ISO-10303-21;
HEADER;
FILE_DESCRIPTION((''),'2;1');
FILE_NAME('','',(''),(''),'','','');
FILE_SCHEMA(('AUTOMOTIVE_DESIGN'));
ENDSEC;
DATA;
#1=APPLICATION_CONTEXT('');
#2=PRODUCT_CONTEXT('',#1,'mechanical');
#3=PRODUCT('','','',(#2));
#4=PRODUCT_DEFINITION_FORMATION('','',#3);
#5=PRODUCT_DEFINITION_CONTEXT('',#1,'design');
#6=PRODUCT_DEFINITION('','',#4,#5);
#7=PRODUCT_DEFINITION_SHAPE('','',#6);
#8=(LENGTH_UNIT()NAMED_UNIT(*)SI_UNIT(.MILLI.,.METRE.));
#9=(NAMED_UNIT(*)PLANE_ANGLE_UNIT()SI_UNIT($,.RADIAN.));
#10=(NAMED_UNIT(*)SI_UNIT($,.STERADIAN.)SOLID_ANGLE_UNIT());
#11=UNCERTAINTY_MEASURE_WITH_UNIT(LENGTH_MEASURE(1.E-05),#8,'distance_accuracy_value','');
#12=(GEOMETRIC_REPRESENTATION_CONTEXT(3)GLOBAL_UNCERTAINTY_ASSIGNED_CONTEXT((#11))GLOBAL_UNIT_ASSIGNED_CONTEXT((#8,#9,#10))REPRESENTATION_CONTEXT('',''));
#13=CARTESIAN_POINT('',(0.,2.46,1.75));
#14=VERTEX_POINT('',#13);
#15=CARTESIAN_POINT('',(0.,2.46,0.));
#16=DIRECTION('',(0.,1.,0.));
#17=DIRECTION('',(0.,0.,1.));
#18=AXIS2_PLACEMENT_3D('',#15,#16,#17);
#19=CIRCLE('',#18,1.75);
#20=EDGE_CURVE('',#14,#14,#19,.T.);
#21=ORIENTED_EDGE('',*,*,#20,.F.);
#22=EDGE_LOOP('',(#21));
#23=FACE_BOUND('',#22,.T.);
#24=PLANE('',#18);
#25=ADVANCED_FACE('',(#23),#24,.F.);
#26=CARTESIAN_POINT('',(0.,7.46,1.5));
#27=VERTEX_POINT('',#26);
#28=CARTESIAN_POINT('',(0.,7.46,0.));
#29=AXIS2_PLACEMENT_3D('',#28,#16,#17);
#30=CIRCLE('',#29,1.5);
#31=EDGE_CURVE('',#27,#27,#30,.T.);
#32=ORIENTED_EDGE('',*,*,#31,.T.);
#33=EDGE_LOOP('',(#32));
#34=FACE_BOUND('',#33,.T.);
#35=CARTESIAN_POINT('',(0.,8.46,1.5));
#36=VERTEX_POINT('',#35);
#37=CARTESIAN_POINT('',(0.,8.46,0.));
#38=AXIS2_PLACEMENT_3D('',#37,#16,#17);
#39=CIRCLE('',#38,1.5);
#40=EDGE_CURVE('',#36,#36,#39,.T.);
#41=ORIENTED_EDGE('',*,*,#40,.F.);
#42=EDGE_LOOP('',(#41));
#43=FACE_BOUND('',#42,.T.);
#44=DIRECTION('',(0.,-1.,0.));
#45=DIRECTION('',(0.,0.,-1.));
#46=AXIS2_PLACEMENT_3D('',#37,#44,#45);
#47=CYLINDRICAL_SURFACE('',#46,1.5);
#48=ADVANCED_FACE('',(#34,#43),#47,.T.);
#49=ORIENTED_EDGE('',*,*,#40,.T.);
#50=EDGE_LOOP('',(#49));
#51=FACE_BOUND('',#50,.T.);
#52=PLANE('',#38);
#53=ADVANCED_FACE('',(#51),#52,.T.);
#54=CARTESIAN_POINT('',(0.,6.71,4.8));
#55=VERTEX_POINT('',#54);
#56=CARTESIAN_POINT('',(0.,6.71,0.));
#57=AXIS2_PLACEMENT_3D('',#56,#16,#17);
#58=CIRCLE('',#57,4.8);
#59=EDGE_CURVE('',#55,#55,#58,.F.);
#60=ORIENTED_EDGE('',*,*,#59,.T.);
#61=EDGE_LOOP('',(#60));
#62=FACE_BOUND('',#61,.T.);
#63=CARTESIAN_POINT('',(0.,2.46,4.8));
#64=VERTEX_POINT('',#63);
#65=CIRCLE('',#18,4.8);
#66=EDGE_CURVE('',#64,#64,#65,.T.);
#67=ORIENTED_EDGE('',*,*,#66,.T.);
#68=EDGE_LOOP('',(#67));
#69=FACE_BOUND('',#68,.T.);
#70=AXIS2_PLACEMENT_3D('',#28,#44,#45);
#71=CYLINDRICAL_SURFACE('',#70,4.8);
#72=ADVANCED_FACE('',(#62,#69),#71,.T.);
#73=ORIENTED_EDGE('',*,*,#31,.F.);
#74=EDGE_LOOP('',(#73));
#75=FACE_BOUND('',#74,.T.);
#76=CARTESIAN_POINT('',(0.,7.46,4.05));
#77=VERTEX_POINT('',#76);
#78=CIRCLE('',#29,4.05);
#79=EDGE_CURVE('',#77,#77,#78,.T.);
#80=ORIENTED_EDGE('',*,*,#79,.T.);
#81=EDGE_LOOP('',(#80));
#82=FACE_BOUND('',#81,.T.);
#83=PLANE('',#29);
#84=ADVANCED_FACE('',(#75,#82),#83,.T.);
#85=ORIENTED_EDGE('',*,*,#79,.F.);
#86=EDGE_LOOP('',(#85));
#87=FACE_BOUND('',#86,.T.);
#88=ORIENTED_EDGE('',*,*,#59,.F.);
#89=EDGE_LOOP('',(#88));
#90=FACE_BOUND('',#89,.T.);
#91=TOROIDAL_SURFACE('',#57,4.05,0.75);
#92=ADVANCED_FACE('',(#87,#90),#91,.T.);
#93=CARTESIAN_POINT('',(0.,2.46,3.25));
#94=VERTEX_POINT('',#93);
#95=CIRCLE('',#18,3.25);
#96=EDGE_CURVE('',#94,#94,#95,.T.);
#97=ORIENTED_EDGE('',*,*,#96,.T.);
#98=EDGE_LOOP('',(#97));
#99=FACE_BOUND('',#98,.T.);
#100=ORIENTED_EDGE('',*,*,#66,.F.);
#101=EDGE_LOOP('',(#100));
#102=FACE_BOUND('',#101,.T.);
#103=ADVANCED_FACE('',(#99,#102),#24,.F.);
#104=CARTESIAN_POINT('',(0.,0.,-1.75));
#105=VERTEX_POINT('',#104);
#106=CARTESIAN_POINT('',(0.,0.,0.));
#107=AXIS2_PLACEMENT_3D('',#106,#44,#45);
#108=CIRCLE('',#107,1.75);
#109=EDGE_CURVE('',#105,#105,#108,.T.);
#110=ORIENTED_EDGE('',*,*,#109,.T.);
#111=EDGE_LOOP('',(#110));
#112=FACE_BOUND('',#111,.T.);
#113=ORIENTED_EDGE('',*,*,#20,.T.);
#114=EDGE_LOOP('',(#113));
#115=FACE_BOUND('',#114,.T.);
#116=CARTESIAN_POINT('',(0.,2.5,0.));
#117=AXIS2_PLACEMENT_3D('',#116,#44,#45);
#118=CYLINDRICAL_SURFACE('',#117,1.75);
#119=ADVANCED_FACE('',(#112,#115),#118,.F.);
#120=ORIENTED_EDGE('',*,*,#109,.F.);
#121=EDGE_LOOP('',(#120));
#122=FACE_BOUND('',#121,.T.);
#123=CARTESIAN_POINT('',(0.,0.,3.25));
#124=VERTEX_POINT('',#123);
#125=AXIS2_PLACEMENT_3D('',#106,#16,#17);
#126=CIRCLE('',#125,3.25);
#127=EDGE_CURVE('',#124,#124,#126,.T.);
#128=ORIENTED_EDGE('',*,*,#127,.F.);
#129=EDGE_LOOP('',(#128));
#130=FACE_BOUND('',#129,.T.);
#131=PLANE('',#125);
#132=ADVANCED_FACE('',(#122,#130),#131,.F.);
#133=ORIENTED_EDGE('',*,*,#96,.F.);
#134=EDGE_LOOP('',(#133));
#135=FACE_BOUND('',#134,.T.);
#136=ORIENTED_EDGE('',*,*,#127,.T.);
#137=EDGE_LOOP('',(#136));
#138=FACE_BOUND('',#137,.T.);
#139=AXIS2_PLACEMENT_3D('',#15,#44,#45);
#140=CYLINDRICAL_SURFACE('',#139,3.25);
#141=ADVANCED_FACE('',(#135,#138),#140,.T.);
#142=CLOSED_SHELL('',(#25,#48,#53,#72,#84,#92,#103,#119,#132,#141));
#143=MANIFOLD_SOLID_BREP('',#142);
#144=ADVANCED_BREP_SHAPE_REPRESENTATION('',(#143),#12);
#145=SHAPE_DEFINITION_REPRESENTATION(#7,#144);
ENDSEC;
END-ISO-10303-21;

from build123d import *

# Parameters (mm, degrees)
SKETCH1_R           = 3.25
BOSS_EXTRUDE1_DEPTH = 2.46
SKETCH2_R           = 1.75
CUT_EXTRUDE1_DEPTH  = 2.5
SKETCH6_R           = 4.8
BOSS_EXTRUDE2_DEPTH = 5
FILLET2_R           = 0.75
SKETCH7_R           = 1.5
BOSS_EXTRUDE3_DEPTH = 1


with BuildPart() as part:
    # Sketch1 → Boss-Extrude1 (new body)
    with BuildSketch(Plane(origin=(0, 0, 0), x_dir=(1, 0, 0), z_dir=(0, 1, 0))):
        Circle(SKETCH1_R)
    extrude(amount=BOSS_EXTRUDE1_DEPTH)

    # Sketch2 → Cut-Extrude1 (cut)
    with BuildSketch(Plane.XZ):
        Circle(SKETCH2_R)
    extrude(amount=-CUT_EXTRUDE1_DEPTH, mode=Mode.SUBTRACT)

    # Sketch6 → Boss-Extrude2 (add)
    with BuildSketch(Plane(origin=(0, 2.46, 0), x_dir=(1, 0, 0), z_dir=(0, 1, 0))):
        Circle(SKETCH6_R)
    extrude(amount=BOSS_EXTRUDE2_DEPTH)

    # Fillet2
    fillet2_edges = [part.edges().sort_by_distance(p)[0] for p in [
        (-4.8, 7.46, 0),
    ]]
    fillet(fillet2_edges, radius=FILLET2_R)

    # Sketch7 → Boss-Extrude3 (add)
    with BuildSketch(Plane(origin=(0, 7.46, 0), x_dir=(1, 0, 0), z_dir=(0, 1, 0))):
        Circle(SKETCH7_R)
    extrude(amount=BOSS_EXTRUDE3_DEPTH)


solid = part.part
